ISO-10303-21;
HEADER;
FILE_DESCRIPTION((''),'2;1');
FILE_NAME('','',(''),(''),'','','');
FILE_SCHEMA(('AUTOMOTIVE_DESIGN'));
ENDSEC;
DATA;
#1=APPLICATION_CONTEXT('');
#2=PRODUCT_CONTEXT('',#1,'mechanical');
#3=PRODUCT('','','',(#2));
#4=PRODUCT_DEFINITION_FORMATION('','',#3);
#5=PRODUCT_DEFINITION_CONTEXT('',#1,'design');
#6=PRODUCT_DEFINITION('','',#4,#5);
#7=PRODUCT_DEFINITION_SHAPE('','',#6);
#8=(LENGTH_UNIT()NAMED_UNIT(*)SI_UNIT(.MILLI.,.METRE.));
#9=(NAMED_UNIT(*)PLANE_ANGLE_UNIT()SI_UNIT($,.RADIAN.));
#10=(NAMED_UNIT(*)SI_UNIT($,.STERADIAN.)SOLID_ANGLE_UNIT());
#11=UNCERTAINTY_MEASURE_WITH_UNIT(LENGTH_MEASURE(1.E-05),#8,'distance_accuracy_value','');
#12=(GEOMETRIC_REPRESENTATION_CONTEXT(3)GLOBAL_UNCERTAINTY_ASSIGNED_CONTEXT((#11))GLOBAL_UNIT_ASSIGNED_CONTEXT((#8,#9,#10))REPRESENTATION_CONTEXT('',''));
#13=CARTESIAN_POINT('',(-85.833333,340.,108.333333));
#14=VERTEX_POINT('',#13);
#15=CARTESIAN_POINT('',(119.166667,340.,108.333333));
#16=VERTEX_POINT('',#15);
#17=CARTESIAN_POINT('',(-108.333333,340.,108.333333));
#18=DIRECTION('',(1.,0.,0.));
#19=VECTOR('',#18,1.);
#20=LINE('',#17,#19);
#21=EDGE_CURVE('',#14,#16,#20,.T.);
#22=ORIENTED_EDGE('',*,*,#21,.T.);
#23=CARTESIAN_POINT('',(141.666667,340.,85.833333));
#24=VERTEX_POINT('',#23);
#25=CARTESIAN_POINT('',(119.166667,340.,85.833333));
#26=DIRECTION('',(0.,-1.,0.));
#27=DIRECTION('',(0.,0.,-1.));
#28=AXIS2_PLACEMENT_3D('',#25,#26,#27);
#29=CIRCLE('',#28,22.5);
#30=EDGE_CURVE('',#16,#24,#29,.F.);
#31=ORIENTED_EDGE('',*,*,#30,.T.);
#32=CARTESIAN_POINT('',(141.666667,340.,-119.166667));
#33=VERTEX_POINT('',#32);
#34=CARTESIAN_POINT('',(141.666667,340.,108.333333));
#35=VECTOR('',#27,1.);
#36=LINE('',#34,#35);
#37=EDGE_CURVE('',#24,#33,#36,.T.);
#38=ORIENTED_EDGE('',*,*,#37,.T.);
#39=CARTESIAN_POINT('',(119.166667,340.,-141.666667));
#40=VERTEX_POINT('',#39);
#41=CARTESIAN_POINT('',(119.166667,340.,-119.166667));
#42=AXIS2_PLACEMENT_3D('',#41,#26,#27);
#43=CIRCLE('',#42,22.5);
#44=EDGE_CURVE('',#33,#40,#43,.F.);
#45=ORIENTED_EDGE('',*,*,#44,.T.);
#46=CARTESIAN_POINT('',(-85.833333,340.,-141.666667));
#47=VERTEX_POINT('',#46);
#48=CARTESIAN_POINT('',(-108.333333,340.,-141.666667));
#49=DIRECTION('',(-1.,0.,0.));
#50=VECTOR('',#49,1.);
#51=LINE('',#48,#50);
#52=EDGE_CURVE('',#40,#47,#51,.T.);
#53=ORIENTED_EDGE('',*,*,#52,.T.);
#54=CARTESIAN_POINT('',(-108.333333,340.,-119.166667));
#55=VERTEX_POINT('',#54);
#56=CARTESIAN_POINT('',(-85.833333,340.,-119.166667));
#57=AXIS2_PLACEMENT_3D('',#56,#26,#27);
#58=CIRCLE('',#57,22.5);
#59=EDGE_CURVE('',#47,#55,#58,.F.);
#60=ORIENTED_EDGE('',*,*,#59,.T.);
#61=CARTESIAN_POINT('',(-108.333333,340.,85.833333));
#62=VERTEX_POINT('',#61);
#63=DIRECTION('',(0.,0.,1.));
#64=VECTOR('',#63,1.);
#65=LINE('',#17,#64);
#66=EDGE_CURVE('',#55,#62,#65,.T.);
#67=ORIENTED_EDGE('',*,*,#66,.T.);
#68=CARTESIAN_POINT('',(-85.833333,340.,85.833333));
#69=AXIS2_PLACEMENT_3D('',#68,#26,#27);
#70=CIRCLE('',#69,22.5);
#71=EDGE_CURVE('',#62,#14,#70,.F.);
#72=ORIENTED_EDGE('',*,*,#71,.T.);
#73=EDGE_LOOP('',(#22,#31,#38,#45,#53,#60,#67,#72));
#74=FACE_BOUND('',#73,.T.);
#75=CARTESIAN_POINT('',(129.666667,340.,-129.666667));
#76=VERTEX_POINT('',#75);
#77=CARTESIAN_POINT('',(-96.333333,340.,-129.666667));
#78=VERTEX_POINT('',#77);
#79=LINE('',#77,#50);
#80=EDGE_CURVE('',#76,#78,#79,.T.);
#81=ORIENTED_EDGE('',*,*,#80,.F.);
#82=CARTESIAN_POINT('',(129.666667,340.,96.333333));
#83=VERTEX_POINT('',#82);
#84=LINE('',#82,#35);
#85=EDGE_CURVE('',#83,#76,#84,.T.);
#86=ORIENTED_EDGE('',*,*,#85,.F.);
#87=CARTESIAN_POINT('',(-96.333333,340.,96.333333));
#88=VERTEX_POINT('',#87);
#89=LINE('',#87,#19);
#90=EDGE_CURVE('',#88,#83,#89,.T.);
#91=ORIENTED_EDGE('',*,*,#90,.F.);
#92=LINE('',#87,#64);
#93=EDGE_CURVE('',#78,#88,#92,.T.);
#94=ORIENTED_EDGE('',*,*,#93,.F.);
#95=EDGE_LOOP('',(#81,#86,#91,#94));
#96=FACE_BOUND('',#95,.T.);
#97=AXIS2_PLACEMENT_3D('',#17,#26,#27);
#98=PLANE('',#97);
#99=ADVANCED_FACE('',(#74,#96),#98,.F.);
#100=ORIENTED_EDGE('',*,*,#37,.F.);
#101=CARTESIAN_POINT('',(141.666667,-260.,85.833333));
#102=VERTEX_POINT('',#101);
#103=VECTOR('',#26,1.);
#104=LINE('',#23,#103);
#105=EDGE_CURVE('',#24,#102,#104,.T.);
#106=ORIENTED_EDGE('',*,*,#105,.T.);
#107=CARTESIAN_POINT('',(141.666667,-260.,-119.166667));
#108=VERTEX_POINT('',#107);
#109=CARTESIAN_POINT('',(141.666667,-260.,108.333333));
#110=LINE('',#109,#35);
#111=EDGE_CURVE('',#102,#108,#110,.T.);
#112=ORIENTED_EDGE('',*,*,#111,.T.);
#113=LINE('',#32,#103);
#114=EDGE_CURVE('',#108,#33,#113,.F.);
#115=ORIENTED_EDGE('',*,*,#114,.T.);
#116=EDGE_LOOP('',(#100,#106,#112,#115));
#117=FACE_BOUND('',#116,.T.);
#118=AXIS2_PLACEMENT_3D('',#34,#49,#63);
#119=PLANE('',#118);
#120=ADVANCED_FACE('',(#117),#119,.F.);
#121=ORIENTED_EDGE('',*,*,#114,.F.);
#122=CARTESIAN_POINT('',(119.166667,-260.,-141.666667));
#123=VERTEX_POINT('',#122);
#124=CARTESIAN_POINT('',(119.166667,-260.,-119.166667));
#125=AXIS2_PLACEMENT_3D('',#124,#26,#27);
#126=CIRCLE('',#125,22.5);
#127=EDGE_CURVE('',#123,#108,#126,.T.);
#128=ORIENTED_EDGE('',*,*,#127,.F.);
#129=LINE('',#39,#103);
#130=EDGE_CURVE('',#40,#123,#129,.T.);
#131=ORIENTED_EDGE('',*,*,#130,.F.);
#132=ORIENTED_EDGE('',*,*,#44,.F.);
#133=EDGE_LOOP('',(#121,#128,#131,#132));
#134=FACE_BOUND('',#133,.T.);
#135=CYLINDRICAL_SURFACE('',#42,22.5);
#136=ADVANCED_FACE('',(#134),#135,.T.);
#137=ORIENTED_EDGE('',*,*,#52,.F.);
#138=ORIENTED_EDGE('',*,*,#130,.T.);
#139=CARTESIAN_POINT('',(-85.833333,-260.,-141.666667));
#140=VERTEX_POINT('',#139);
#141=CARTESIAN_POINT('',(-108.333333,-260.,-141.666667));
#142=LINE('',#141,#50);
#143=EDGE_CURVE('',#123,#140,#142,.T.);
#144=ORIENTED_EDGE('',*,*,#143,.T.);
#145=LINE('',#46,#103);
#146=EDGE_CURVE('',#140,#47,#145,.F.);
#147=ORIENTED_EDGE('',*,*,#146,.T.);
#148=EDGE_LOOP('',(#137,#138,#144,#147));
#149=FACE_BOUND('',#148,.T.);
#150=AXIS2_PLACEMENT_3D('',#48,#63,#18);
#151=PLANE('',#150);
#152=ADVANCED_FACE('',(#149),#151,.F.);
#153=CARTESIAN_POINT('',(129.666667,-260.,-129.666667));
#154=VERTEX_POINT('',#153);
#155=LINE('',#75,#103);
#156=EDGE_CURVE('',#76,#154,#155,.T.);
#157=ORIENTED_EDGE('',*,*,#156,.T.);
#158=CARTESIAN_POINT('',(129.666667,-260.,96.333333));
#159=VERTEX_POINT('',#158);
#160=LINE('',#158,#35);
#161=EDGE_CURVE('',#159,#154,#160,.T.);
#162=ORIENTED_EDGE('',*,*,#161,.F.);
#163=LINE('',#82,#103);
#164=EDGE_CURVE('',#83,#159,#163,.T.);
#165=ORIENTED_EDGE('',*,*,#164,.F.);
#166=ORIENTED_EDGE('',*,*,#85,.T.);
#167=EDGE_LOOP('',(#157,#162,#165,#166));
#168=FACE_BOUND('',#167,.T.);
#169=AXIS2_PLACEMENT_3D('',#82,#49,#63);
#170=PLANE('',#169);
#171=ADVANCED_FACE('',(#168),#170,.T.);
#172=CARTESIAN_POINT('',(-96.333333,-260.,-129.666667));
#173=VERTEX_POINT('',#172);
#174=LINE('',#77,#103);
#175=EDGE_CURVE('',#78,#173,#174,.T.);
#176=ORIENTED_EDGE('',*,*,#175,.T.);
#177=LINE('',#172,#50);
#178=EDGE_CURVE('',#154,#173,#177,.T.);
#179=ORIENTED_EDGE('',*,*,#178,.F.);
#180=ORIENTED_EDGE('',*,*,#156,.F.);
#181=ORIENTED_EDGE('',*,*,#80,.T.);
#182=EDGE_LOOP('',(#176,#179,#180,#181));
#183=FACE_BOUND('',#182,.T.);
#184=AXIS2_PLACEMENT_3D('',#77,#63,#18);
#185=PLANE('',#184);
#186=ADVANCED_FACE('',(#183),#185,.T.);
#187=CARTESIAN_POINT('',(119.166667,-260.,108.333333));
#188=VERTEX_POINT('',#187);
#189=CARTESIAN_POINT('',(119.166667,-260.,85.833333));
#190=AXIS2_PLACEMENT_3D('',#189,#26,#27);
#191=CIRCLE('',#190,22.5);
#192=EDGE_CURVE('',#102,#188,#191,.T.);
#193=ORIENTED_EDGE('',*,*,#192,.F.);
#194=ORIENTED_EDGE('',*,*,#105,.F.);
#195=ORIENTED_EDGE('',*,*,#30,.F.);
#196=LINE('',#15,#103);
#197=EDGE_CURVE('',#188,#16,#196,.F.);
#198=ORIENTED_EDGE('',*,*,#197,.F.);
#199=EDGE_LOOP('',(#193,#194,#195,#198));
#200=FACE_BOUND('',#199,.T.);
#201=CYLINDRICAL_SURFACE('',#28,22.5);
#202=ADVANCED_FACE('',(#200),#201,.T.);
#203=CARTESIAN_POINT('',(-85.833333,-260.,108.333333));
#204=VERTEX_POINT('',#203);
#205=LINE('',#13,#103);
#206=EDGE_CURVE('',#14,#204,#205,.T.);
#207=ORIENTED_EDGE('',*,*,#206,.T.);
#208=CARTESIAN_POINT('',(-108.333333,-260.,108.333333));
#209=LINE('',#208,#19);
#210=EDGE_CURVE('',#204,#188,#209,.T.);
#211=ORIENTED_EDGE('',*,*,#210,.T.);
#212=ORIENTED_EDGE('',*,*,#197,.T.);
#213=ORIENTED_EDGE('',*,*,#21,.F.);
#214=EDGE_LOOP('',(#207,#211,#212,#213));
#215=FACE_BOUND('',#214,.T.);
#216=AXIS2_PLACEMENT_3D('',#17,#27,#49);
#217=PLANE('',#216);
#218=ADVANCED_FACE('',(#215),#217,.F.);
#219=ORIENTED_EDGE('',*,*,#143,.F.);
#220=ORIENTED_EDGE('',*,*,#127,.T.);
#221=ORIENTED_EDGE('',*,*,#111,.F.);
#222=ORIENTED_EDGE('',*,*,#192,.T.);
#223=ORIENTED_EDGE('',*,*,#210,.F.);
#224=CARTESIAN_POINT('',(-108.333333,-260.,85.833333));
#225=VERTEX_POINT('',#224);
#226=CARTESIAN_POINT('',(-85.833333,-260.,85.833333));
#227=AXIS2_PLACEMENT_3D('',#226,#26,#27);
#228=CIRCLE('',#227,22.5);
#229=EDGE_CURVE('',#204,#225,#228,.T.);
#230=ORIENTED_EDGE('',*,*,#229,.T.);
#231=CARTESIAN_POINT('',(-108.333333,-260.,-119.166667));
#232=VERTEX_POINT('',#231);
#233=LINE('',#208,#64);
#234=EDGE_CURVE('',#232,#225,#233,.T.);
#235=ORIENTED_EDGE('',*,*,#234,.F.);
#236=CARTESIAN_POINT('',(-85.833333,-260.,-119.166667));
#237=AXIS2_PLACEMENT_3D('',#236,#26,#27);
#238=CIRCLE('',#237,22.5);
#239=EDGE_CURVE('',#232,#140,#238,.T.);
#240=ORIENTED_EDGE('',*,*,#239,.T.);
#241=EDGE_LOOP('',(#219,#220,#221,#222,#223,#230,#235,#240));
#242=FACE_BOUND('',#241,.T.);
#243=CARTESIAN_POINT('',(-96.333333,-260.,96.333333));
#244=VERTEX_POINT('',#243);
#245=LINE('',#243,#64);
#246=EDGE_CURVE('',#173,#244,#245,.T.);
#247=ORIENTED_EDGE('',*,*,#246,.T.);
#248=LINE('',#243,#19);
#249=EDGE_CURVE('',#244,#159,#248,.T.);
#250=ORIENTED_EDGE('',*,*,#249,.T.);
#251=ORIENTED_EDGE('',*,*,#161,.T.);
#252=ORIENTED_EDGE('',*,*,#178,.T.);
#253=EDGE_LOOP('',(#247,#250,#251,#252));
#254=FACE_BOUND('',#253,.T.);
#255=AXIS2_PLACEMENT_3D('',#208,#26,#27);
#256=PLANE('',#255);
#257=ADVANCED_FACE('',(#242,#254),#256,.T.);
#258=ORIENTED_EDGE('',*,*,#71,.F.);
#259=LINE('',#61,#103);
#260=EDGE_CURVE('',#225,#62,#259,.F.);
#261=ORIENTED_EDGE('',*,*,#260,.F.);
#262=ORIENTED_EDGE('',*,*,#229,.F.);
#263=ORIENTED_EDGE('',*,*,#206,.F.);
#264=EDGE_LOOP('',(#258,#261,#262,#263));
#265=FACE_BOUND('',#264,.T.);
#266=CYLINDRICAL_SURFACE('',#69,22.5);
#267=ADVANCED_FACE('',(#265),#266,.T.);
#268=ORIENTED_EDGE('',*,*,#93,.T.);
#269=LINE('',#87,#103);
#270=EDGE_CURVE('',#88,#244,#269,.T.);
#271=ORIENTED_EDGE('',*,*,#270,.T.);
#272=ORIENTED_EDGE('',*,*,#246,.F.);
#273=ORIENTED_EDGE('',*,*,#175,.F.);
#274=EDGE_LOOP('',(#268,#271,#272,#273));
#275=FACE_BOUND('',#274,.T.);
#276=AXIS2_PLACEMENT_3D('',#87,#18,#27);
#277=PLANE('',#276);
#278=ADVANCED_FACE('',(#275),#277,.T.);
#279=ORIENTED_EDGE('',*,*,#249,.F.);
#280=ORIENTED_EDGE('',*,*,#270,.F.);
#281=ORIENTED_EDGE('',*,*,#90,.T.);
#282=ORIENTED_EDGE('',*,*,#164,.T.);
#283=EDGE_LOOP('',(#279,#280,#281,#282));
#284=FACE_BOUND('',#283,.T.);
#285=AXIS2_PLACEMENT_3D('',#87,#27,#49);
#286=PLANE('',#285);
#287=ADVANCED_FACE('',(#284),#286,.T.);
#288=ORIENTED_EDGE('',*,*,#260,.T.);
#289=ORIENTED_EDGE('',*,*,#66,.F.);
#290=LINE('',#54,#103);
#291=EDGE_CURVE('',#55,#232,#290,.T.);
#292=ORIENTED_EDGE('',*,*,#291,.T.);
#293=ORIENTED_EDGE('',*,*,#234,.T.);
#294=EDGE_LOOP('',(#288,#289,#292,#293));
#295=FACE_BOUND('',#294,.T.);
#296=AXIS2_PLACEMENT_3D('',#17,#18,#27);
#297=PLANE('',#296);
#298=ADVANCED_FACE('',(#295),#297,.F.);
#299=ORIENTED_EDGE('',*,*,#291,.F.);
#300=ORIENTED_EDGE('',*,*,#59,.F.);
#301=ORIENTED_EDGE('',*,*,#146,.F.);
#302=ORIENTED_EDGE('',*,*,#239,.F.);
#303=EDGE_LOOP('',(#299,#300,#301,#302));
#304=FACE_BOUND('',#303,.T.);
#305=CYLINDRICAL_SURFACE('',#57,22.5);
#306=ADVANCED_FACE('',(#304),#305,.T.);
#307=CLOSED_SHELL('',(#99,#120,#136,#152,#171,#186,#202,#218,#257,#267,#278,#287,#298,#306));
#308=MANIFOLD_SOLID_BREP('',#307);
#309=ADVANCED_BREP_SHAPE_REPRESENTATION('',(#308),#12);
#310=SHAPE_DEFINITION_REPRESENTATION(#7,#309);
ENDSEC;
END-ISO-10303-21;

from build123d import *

# Parameters (mm, degrees)
SKETCH1_W           = 33.333333333
SKETCH1_H           = 33.333333333
SKETCH1_W_2         = 30.133333333
SKETCH1_H_2         = 30.133333333
BOSS_EXTRUDE1_DEPTH = 80
FILLET2_R           = 3
SCALE1_SCALE        = 7.5


with BuildPart() as part:
    # Sketch1 → Boss-Extrude1 (new body)
    with BuildSketch(Plane(origin=(0, 0, 0), x_dir=(1, 0, 0), z_dir=(0, 1, 0))):
        with Locations((16.666666666, 16.666666666)):
            Rectangle(SKETCH1_W, SKETCH1_H)
        with Locations((16.666666666, 16.666666666)):
            Rectangle(SKETCH1_W_2, SKETCH1_H_2, mode=Mode.SUBTRACT)
    extrude(amount=BOSS_EXTRUDE1_DEPTH)

    # Fillet2
    fillet2_edges = [part.edges().sort_by_distance(p)[0] for p in [
        (0, 40, -33.333333333),
        (33.333333333, 40, -33.333333333),
        (33.333333333, 40, 0),
        (0, 40, 0),
    ]]
    fillet(fillet2_edges, radius=FILLET2_R)


with BuildPart() as part_1:
    # Scale1: scaled about (16.666666667, 40, -16.666666667)
    add(part.part.scale(SCALE1_SCALE).moved(Location((-108.333333336, -260, 108.333333336))))


solid = part_1.part
